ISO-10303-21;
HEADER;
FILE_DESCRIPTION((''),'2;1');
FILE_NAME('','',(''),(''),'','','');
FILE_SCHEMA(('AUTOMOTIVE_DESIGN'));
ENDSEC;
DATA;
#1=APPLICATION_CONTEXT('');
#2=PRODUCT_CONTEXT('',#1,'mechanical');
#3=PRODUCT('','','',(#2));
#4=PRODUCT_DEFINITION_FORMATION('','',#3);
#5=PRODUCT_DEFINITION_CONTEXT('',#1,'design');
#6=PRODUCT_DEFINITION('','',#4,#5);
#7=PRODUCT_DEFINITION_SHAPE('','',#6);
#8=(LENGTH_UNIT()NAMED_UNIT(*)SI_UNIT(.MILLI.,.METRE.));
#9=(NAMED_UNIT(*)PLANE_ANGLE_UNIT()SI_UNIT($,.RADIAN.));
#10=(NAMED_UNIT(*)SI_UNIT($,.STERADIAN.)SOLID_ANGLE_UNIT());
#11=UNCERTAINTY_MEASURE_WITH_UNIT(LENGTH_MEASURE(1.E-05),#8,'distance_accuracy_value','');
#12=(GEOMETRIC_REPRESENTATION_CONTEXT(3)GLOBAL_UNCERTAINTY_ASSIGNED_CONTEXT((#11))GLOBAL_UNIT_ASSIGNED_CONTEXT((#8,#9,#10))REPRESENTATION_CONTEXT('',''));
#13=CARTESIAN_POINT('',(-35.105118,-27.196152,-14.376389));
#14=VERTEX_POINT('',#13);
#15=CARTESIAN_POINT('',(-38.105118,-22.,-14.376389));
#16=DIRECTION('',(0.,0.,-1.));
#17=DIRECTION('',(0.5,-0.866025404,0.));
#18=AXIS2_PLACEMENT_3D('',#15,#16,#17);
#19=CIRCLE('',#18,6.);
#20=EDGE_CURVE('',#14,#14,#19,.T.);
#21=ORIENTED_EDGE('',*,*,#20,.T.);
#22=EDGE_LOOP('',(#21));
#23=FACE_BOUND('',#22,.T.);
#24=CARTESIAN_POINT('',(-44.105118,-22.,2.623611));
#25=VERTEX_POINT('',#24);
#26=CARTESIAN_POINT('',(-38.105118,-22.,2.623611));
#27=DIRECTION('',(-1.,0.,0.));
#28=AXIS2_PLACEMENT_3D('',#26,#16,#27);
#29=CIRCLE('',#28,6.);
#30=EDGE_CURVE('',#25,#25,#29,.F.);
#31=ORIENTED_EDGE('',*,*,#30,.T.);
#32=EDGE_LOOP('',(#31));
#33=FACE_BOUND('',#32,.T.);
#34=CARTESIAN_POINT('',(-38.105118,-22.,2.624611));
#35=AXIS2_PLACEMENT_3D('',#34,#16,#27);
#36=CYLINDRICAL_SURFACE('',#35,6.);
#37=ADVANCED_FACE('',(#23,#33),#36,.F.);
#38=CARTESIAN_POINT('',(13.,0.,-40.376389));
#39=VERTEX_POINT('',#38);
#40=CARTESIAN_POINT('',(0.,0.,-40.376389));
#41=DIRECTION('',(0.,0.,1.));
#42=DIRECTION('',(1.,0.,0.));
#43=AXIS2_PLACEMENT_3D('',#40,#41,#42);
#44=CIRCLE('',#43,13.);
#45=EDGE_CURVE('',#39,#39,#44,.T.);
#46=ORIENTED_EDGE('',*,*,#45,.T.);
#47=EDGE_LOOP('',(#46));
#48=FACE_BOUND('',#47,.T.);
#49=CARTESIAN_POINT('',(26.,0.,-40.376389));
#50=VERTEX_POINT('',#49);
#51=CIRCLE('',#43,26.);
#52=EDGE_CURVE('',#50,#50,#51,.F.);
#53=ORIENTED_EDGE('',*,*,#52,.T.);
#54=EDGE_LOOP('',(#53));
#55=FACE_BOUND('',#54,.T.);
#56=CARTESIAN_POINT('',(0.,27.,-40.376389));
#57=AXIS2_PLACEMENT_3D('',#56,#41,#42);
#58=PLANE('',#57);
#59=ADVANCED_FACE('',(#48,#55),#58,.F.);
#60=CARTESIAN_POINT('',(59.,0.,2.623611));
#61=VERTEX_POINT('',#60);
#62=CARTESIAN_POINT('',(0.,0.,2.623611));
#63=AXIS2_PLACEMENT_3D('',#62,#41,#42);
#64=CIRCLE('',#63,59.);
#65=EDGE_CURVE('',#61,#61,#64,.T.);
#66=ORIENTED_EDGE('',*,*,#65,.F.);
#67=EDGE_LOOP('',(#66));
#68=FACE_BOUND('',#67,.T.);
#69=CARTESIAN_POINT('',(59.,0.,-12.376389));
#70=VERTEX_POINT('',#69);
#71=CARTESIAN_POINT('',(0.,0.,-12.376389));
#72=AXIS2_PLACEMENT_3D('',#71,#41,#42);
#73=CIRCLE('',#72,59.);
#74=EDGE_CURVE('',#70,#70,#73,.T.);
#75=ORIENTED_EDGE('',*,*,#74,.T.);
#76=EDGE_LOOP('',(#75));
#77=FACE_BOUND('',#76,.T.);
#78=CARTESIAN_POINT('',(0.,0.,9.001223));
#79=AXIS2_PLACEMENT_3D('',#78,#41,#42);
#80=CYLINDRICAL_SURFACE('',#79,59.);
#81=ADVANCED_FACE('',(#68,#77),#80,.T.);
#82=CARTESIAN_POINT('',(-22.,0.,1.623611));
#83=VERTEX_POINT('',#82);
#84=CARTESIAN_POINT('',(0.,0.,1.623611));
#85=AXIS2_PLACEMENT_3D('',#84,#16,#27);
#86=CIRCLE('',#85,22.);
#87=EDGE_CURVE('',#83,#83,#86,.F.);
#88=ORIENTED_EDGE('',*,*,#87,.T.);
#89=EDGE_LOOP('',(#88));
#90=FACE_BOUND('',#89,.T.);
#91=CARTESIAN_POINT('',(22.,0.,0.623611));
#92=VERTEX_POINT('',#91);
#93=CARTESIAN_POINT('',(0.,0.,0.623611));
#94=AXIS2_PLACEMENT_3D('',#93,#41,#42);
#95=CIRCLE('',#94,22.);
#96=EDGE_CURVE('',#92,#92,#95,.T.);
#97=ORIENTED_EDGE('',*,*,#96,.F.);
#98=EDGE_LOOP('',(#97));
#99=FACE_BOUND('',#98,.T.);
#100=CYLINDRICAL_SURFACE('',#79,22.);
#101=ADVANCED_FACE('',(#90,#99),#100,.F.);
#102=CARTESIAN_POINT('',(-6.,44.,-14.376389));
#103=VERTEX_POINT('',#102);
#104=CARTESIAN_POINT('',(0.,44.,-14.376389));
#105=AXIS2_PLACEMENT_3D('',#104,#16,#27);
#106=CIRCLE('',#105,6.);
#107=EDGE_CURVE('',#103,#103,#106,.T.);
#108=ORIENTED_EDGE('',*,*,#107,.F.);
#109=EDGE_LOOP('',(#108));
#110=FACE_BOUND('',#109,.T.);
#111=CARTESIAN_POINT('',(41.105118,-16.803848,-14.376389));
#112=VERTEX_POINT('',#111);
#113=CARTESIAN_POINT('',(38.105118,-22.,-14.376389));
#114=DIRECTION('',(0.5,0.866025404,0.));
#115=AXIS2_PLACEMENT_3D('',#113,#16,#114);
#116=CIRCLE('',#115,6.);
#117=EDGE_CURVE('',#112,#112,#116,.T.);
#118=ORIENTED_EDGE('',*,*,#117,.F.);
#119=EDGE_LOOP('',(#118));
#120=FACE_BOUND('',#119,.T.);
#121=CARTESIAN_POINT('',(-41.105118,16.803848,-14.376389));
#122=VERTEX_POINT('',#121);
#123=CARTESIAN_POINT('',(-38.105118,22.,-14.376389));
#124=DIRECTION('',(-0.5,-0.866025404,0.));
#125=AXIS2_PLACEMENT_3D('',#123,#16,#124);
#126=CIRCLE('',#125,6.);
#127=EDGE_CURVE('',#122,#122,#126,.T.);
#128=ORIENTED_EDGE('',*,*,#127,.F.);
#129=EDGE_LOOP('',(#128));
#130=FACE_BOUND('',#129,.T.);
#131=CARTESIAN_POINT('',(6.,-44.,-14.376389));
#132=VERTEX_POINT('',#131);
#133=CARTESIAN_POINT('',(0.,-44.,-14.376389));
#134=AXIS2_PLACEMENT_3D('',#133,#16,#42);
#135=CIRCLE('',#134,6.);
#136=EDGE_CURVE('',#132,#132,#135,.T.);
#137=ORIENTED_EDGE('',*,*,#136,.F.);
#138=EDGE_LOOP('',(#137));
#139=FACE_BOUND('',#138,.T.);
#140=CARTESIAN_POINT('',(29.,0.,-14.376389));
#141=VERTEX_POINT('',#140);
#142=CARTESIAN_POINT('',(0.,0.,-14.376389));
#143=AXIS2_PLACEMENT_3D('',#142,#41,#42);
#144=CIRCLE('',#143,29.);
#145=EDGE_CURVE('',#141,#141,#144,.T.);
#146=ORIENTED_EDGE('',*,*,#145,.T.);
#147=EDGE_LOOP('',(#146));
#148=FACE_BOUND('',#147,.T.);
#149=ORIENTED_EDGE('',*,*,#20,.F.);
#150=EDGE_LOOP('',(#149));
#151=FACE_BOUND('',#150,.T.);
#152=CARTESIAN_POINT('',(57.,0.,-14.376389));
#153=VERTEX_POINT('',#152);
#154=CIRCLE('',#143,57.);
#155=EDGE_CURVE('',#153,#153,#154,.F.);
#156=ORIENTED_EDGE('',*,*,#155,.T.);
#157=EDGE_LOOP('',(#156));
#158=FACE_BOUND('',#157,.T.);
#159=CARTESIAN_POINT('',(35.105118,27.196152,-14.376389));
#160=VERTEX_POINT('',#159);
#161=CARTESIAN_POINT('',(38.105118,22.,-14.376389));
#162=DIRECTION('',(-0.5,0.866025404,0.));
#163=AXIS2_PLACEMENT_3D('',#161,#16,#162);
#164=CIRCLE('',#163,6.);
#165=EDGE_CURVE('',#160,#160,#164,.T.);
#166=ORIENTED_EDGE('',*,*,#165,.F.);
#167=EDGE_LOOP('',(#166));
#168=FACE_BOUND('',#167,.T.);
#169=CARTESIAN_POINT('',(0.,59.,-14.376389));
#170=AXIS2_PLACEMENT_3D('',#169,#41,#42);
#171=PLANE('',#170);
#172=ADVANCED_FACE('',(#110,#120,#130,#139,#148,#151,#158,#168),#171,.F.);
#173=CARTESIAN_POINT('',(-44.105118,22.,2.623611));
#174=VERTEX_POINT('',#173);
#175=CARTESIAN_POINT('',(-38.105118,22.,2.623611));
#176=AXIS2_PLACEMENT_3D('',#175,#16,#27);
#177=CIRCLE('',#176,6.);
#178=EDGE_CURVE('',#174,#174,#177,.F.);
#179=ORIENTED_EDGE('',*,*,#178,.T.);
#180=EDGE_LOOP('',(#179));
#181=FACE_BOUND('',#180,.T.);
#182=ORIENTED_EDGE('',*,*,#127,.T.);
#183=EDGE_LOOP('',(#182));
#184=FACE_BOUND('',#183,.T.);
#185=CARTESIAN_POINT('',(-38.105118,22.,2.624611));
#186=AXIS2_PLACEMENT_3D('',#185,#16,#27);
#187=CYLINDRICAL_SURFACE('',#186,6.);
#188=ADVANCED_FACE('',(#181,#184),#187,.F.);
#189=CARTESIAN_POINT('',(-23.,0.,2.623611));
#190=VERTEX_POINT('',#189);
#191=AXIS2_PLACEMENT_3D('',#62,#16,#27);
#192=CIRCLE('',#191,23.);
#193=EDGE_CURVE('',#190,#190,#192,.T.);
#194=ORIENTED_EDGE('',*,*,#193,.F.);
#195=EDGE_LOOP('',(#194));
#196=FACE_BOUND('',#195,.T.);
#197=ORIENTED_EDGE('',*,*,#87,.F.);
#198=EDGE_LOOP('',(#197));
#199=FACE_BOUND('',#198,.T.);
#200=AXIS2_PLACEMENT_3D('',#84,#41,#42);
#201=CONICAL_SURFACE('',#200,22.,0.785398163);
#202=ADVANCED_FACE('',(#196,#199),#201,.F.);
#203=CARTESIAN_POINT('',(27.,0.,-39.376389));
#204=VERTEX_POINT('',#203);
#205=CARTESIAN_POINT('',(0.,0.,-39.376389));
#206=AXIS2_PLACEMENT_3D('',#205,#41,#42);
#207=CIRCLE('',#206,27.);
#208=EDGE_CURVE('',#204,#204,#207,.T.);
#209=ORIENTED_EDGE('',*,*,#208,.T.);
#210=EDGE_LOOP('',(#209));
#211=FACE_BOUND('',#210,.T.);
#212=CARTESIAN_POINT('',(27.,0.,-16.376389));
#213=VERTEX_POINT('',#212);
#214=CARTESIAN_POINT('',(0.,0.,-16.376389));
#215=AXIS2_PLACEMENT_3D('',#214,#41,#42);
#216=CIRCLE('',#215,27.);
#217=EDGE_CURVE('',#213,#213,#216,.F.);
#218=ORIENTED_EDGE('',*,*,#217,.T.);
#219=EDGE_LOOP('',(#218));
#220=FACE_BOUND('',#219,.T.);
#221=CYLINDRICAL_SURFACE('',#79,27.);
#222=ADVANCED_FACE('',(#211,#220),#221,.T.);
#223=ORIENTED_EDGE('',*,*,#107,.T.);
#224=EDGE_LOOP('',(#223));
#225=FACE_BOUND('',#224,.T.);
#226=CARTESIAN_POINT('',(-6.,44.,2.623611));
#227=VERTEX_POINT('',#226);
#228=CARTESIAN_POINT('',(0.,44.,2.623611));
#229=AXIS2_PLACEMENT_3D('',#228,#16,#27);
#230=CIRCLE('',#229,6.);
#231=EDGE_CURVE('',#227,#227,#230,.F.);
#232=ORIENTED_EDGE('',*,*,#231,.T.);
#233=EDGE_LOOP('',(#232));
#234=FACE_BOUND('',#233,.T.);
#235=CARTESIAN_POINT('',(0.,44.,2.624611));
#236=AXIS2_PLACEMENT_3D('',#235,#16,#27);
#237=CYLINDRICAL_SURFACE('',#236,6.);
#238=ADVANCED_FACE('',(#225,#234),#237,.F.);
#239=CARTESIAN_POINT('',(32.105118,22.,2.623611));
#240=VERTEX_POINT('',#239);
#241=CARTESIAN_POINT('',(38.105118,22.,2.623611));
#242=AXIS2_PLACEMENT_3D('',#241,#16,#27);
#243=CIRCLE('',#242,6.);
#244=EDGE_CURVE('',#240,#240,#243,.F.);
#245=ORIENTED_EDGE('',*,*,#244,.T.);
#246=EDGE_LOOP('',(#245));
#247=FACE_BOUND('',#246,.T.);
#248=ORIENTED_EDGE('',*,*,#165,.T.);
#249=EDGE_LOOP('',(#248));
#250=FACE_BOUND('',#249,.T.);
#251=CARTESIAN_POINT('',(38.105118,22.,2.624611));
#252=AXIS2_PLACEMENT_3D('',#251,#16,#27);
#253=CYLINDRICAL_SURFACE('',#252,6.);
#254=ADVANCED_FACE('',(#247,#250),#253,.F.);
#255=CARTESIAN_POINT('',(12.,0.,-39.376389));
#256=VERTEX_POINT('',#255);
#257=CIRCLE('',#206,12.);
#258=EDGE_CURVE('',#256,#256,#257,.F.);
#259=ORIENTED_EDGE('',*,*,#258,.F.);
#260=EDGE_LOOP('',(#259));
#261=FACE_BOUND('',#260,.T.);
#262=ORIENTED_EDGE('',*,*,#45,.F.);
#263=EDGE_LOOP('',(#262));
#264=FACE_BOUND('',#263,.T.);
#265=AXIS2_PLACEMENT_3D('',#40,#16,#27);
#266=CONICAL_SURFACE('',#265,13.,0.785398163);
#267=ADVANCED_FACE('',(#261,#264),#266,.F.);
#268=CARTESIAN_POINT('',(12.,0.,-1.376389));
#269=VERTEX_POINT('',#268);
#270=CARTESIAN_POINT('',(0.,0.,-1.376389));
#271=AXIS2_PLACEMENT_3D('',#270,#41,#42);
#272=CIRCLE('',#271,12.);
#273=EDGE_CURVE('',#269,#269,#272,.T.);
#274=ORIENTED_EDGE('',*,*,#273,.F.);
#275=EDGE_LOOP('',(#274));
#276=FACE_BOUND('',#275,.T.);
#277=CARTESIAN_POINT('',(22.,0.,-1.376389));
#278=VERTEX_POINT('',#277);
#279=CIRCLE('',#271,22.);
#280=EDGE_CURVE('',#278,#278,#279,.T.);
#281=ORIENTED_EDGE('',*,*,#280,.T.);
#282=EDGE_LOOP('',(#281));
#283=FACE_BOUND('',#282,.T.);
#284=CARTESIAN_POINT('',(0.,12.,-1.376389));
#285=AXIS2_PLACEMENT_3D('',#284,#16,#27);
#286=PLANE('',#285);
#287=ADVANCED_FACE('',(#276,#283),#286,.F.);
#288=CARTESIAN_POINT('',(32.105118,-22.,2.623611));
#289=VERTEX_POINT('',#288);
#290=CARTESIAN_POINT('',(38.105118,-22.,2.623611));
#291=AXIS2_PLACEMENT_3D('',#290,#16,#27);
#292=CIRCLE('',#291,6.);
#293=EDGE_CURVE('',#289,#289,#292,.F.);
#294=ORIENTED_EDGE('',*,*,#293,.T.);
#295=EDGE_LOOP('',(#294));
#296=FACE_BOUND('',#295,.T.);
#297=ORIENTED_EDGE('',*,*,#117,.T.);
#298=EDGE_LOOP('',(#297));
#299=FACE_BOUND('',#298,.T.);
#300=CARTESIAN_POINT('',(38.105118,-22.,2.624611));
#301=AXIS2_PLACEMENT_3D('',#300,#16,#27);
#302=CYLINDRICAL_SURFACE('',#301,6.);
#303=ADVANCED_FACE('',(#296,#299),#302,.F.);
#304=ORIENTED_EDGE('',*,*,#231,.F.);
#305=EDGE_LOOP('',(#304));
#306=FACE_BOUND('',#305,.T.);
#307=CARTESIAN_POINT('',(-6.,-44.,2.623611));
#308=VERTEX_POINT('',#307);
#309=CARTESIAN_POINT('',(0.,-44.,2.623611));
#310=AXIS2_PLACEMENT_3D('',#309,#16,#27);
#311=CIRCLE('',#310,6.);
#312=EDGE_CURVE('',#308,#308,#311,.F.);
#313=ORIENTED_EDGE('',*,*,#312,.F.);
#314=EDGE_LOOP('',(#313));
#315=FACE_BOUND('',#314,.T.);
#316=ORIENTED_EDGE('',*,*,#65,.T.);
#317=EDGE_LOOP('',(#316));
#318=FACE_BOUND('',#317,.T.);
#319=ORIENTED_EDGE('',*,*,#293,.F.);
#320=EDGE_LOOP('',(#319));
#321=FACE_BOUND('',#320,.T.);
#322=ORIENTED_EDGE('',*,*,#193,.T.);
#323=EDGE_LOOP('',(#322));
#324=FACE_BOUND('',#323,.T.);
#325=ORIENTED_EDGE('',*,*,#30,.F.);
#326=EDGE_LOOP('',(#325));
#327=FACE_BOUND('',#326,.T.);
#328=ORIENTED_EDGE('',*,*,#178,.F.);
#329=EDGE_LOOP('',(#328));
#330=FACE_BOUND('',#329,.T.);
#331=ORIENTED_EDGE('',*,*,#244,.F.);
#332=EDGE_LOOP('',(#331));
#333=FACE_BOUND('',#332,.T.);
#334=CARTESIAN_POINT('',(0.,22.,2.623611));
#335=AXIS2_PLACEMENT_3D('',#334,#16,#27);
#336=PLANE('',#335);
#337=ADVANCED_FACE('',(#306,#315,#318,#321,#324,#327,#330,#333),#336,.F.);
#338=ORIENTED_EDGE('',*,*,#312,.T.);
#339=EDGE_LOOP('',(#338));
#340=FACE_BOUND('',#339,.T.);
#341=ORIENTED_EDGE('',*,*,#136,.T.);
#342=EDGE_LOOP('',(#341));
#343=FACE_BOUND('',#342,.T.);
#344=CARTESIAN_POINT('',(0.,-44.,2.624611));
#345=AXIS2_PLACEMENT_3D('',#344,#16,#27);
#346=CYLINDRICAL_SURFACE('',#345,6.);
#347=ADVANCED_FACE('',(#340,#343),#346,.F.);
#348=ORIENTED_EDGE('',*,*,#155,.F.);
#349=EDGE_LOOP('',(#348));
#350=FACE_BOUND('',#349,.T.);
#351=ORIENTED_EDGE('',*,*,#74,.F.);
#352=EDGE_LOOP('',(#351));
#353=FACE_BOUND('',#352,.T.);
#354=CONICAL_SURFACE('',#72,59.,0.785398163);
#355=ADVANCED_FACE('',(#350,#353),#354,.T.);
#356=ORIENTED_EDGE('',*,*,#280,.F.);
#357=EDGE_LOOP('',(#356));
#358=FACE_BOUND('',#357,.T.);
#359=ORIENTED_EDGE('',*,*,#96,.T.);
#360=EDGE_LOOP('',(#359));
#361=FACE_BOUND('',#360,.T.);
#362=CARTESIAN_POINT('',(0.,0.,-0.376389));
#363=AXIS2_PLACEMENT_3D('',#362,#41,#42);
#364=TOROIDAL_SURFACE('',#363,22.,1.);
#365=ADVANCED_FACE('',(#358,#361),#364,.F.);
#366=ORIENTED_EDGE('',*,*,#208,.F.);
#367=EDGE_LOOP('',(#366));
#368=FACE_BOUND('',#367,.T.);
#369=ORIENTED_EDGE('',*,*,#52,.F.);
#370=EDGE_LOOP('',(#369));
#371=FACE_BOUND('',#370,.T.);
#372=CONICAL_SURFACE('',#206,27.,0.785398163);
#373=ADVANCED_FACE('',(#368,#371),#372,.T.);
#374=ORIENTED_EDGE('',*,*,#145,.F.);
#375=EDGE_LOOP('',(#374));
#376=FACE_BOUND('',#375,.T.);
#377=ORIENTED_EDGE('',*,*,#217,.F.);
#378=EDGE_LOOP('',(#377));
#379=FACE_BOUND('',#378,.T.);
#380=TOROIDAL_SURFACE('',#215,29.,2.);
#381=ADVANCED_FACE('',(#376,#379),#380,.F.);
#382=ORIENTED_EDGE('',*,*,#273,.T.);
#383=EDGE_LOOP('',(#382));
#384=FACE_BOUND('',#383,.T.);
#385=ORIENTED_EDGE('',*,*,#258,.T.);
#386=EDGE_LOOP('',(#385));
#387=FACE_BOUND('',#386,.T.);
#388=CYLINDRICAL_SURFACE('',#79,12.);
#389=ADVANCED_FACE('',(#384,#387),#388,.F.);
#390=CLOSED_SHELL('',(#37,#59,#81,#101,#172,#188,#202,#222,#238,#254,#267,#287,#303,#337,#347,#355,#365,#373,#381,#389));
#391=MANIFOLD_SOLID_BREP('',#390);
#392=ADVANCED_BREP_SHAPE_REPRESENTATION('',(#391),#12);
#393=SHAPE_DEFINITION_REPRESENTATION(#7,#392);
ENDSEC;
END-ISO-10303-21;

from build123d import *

# Parameters (mm, degrees)
CUT_EXTRUDE1_REACH = 89.396
SKETCH2_R          = 6
CIRPATTERN1_COUNT  = 6
FILLET1_R          = 2
CHAMFER1_SIZE      = 1
CHAMFER2_SIZE      = 2


with BuildPart() as part:
    # Sketch1 → Revolve1 (revolve)
    with BuildSketch(Plane(origin=(0, 0, 0), x_dir=(0, 0, -1), z_dir=(1, 0, 0)), mode=Mode.PRIVATE) as revolve1_sk:
        with BuildLine():
            Line((1.376389422, 12), (1.376389422, 22))
            ThreePointArc((1.376389422, 22), (0.376389422, 23), (-0.623610578, 22))
            Line((-0.623610578, 22), (-2.623610578, 22))
            Line((-2.623610578, 22), (-2.623610578, 59))
            Line((-2.623610578, 59), (14.376389422, 59))
            Line((14.376389422, 59), (14.376389422, 27))
            Line((14.376389422, 27), (40.376389422, 27))
            Line((40.376389422, 27), (40.376389422, 12))
            Line((40.376389422, 12), (1.376389422, 12))
        make_face()
    revolve(revolve1_sk.sketch.rotate(Axis((0, 0, 9.001223373), (0, 0, -1)), 90), axis=Axis((0, 0, 9.001223373), (0, 0, -1)))

    # Sketch2 → Cut-Extrude1 (cut, up to next)
    with BuildSketch(Plane(origin=(0, 0, -14.376389422), x_dir=(-1, 0, 0), z_dir=(0, 0, -1)), mode=Mode.PRIVATE) as cut_extrude1_sk1:
        with Locations((0, 44)):
            Circle(SKETCH2_R)
    cut_extrude1_tool1 = extrude(cut_extrude1_sk1.sketch, amount=-CUT_EXTRUDE1_REACH, mode=Mode.PRIVATE) & part.part
    cut_extrude1 = cut_extrude1_tool1.solids().sort_by_distance((0, 44, -14.376389))[0]
    add(cut_extrude1, mode=Mode.SUBTRACT)

    # CirPattern1: Cut-Extrude1 ×6 about axis
    cirpattern1_axis = Axis((0, 0, 0), (0, 0, 1))
    for i in range(1, CIRPATTERN1_COUNT):
        add(cut_extrude1.rotate(cirpattern1_axis, i * 360 / CIRPATTERN1_COUNT), mode=Mode.SUBTRACT)

    # Fillet1
    fillet1_edges = [part.edges().sort_by_distance(p)[0] for p in [
        (-27, 0, -14.376389422),
    ]]
    fillet(fillet1_edges, radius=FILLET1_R)

    # Chamfer1
    chamfer1_edges = [part.edges().sort_by_distance(p)[0] for p in [
        (-12, 0, -40.376389422),
        (-22, 0, 2.623610578),
        (-27, 0, -40.376389422),
    ]]
    chamfer(chamfer1_edges, length=CHAMFER1_SIZE)

    # Chamfer2
    chamfer2_edges = [part.edges().sort_by_distance(p)[0] for p in [
        (-59, 0, -14.376389422),
    ]]
    chamfer(chamfer2_edges, length=CHAMFER2_SIZE)


solid = part.part
